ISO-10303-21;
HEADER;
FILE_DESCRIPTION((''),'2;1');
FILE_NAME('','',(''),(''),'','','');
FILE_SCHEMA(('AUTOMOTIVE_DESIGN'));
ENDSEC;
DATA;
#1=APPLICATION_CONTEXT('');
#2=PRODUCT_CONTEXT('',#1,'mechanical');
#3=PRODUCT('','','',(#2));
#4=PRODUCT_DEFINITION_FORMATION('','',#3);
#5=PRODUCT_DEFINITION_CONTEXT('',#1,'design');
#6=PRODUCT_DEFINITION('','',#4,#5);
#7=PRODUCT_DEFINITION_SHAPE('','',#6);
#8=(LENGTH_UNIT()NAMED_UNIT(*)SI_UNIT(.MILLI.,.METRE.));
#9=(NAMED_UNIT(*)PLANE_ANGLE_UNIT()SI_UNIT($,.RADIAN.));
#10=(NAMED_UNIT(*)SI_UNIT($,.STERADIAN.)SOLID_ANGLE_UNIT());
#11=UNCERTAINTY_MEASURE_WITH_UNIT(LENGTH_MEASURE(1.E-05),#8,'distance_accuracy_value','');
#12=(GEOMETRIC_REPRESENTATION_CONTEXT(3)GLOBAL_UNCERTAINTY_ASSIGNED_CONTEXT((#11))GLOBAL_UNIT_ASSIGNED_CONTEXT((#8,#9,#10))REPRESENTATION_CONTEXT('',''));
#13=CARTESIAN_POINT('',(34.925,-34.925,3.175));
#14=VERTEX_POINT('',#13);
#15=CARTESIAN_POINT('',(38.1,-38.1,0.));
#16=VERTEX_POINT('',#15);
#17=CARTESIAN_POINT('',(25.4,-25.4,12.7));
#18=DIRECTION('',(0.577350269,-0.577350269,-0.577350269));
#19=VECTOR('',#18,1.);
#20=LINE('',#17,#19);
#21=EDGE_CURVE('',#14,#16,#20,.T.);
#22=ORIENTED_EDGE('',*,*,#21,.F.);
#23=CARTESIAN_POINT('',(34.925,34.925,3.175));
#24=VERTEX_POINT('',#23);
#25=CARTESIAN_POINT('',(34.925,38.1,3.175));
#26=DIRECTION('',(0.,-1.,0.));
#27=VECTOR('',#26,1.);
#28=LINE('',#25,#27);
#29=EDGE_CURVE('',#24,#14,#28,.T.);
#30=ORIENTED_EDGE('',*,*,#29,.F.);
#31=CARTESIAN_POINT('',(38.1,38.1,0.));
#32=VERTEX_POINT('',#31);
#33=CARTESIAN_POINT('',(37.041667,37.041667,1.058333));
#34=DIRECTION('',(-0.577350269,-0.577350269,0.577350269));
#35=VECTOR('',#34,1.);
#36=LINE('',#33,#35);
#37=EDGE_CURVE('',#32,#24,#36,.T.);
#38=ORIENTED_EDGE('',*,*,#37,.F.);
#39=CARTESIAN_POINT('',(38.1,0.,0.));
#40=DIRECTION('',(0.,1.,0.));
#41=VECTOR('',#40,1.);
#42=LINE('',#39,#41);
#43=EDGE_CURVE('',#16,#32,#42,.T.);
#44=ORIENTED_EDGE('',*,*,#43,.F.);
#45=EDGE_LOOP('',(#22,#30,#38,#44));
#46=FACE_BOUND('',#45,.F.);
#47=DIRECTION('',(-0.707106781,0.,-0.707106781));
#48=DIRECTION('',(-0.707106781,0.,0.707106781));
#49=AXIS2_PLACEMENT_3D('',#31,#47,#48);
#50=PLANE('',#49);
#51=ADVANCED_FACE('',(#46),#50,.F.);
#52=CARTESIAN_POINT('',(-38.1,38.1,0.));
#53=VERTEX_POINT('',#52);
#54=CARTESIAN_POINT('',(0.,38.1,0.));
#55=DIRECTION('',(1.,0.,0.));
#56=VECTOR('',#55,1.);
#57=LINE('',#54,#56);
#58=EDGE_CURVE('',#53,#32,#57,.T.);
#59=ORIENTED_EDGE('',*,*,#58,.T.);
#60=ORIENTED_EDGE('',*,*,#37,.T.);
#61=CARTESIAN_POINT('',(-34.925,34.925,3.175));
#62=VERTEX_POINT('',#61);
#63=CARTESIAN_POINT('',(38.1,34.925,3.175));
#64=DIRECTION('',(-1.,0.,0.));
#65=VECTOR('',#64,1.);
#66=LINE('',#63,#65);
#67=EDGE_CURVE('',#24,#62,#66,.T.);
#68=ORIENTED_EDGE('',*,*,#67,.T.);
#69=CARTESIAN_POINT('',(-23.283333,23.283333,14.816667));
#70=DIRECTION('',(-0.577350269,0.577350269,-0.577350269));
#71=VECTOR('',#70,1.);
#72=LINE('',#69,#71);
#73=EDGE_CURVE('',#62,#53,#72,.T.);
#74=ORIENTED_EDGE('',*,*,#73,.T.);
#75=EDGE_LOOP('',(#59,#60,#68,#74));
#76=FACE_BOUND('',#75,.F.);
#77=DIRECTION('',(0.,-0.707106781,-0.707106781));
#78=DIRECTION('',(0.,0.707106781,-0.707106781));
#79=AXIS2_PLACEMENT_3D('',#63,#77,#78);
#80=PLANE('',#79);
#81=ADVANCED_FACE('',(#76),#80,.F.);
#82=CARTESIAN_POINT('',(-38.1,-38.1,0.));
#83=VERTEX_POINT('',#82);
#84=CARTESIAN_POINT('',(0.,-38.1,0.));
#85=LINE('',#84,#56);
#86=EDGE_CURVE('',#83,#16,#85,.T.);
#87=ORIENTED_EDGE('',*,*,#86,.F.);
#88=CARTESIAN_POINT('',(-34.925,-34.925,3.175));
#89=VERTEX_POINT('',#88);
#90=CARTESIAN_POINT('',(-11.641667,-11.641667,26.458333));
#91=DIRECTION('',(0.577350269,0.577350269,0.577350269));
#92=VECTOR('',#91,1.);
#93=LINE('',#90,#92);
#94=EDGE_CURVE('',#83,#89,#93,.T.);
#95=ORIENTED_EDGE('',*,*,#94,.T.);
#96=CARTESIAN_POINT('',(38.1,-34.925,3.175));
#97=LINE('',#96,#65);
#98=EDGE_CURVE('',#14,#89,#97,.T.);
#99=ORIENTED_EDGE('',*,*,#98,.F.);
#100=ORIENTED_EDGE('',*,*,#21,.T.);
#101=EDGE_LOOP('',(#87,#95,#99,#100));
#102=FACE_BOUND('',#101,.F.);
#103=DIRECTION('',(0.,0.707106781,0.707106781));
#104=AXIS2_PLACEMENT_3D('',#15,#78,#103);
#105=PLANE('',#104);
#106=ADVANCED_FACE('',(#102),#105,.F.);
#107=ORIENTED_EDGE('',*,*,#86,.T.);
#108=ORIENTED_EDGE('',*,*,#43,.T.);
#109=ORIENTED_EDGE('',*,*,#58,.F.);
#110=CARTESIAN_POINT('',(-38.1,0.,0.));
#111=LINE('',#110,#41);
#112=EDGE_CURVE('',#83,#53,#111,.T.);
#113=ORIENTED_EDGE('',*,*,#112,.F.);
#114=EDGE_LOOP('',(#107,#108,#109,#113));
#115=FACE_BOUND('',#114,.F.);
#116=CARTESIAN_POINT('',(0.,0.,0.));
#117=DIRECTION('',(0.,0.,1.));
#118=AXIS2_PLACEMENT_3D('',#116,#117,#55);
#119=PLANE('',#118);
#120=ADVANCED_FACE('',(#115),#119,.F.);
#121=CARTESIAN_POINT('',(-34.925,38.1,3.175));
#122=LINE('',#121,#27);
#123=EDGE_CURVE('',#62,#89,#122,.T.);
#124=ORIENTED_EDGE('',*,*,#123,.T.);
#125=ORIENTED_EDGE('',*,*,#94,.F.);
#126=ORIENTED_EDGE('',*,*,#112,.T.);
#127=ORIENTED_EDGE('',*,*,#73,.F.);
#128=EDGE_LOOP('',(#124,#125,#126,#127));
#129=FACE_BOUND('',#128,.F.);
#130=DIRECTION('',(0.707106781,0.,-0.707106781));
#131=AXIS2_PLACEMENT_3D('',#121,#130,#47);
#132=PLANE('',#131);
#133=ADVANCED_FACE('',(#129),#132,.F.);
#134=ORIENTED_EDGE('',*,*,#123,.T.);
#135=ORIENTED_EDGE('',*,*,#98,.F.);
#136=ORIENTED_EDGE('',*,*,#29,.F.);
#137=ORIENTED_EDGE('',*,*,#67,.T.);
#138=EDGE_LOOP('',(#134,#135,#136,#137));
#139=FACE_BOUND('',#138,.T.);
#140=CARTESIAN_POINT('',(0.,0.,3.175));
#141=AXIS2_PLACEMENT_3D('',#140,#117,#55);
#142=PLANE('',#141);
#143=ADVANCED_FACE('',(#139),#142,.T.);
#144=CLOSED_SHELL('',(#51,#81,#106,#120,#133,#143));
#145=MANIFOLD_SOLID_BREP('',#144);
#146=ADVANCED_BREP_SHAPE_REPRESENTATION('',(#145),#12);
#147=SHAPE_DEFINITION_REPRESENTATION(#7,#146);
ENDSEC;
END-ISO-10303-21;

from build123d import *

# Parameters (mm, degrees)
F0_W     = 76.2
F0_H     = 76.2
F1_DEPTH = 3.175
F4_DEPTH = 76.2
F5_DEPTH = 76.2


with BuildPart() as f1:
    # F0 (on Top) → F1 (new body)
    with BuildSketch(Plane.XY):
        Rectangle(F0_W, F0_H)
    extrude(amount=F1_DEPTH)

    # F3 (on face) → F4 (cut)
    with BuildSketch(Plane(origin=(0, 38.1, 0), x_dir=(-1, 0, 0), z_dir=(0, 1, 0))):
        Polygon((-38.1, 3.175), (-38.1, 0), (-34.925, 3.175), align=None)
        Polygon((34.925, 3.175), (38.1, 0), (38.1, 3.175), align=None)
    extrude(amount=-F4_DEPTH, mode=Mode.SUBTRACT)

    # F2 (on face) → F5 (cut)
    with BuildSketch(Plane.YZ.offset(38.1)):
        Polygon((34.925, 3.175), (38.1, 0), (38.1, 3.175), align=None)
        Polygon((-38.1, 3.175), (-38.1, 0), (-34.925, 3.175), align=None)
    extrude(amount=-F5_DEPTH, mode=Mode.SUBTRACT)


solid = f1.part
